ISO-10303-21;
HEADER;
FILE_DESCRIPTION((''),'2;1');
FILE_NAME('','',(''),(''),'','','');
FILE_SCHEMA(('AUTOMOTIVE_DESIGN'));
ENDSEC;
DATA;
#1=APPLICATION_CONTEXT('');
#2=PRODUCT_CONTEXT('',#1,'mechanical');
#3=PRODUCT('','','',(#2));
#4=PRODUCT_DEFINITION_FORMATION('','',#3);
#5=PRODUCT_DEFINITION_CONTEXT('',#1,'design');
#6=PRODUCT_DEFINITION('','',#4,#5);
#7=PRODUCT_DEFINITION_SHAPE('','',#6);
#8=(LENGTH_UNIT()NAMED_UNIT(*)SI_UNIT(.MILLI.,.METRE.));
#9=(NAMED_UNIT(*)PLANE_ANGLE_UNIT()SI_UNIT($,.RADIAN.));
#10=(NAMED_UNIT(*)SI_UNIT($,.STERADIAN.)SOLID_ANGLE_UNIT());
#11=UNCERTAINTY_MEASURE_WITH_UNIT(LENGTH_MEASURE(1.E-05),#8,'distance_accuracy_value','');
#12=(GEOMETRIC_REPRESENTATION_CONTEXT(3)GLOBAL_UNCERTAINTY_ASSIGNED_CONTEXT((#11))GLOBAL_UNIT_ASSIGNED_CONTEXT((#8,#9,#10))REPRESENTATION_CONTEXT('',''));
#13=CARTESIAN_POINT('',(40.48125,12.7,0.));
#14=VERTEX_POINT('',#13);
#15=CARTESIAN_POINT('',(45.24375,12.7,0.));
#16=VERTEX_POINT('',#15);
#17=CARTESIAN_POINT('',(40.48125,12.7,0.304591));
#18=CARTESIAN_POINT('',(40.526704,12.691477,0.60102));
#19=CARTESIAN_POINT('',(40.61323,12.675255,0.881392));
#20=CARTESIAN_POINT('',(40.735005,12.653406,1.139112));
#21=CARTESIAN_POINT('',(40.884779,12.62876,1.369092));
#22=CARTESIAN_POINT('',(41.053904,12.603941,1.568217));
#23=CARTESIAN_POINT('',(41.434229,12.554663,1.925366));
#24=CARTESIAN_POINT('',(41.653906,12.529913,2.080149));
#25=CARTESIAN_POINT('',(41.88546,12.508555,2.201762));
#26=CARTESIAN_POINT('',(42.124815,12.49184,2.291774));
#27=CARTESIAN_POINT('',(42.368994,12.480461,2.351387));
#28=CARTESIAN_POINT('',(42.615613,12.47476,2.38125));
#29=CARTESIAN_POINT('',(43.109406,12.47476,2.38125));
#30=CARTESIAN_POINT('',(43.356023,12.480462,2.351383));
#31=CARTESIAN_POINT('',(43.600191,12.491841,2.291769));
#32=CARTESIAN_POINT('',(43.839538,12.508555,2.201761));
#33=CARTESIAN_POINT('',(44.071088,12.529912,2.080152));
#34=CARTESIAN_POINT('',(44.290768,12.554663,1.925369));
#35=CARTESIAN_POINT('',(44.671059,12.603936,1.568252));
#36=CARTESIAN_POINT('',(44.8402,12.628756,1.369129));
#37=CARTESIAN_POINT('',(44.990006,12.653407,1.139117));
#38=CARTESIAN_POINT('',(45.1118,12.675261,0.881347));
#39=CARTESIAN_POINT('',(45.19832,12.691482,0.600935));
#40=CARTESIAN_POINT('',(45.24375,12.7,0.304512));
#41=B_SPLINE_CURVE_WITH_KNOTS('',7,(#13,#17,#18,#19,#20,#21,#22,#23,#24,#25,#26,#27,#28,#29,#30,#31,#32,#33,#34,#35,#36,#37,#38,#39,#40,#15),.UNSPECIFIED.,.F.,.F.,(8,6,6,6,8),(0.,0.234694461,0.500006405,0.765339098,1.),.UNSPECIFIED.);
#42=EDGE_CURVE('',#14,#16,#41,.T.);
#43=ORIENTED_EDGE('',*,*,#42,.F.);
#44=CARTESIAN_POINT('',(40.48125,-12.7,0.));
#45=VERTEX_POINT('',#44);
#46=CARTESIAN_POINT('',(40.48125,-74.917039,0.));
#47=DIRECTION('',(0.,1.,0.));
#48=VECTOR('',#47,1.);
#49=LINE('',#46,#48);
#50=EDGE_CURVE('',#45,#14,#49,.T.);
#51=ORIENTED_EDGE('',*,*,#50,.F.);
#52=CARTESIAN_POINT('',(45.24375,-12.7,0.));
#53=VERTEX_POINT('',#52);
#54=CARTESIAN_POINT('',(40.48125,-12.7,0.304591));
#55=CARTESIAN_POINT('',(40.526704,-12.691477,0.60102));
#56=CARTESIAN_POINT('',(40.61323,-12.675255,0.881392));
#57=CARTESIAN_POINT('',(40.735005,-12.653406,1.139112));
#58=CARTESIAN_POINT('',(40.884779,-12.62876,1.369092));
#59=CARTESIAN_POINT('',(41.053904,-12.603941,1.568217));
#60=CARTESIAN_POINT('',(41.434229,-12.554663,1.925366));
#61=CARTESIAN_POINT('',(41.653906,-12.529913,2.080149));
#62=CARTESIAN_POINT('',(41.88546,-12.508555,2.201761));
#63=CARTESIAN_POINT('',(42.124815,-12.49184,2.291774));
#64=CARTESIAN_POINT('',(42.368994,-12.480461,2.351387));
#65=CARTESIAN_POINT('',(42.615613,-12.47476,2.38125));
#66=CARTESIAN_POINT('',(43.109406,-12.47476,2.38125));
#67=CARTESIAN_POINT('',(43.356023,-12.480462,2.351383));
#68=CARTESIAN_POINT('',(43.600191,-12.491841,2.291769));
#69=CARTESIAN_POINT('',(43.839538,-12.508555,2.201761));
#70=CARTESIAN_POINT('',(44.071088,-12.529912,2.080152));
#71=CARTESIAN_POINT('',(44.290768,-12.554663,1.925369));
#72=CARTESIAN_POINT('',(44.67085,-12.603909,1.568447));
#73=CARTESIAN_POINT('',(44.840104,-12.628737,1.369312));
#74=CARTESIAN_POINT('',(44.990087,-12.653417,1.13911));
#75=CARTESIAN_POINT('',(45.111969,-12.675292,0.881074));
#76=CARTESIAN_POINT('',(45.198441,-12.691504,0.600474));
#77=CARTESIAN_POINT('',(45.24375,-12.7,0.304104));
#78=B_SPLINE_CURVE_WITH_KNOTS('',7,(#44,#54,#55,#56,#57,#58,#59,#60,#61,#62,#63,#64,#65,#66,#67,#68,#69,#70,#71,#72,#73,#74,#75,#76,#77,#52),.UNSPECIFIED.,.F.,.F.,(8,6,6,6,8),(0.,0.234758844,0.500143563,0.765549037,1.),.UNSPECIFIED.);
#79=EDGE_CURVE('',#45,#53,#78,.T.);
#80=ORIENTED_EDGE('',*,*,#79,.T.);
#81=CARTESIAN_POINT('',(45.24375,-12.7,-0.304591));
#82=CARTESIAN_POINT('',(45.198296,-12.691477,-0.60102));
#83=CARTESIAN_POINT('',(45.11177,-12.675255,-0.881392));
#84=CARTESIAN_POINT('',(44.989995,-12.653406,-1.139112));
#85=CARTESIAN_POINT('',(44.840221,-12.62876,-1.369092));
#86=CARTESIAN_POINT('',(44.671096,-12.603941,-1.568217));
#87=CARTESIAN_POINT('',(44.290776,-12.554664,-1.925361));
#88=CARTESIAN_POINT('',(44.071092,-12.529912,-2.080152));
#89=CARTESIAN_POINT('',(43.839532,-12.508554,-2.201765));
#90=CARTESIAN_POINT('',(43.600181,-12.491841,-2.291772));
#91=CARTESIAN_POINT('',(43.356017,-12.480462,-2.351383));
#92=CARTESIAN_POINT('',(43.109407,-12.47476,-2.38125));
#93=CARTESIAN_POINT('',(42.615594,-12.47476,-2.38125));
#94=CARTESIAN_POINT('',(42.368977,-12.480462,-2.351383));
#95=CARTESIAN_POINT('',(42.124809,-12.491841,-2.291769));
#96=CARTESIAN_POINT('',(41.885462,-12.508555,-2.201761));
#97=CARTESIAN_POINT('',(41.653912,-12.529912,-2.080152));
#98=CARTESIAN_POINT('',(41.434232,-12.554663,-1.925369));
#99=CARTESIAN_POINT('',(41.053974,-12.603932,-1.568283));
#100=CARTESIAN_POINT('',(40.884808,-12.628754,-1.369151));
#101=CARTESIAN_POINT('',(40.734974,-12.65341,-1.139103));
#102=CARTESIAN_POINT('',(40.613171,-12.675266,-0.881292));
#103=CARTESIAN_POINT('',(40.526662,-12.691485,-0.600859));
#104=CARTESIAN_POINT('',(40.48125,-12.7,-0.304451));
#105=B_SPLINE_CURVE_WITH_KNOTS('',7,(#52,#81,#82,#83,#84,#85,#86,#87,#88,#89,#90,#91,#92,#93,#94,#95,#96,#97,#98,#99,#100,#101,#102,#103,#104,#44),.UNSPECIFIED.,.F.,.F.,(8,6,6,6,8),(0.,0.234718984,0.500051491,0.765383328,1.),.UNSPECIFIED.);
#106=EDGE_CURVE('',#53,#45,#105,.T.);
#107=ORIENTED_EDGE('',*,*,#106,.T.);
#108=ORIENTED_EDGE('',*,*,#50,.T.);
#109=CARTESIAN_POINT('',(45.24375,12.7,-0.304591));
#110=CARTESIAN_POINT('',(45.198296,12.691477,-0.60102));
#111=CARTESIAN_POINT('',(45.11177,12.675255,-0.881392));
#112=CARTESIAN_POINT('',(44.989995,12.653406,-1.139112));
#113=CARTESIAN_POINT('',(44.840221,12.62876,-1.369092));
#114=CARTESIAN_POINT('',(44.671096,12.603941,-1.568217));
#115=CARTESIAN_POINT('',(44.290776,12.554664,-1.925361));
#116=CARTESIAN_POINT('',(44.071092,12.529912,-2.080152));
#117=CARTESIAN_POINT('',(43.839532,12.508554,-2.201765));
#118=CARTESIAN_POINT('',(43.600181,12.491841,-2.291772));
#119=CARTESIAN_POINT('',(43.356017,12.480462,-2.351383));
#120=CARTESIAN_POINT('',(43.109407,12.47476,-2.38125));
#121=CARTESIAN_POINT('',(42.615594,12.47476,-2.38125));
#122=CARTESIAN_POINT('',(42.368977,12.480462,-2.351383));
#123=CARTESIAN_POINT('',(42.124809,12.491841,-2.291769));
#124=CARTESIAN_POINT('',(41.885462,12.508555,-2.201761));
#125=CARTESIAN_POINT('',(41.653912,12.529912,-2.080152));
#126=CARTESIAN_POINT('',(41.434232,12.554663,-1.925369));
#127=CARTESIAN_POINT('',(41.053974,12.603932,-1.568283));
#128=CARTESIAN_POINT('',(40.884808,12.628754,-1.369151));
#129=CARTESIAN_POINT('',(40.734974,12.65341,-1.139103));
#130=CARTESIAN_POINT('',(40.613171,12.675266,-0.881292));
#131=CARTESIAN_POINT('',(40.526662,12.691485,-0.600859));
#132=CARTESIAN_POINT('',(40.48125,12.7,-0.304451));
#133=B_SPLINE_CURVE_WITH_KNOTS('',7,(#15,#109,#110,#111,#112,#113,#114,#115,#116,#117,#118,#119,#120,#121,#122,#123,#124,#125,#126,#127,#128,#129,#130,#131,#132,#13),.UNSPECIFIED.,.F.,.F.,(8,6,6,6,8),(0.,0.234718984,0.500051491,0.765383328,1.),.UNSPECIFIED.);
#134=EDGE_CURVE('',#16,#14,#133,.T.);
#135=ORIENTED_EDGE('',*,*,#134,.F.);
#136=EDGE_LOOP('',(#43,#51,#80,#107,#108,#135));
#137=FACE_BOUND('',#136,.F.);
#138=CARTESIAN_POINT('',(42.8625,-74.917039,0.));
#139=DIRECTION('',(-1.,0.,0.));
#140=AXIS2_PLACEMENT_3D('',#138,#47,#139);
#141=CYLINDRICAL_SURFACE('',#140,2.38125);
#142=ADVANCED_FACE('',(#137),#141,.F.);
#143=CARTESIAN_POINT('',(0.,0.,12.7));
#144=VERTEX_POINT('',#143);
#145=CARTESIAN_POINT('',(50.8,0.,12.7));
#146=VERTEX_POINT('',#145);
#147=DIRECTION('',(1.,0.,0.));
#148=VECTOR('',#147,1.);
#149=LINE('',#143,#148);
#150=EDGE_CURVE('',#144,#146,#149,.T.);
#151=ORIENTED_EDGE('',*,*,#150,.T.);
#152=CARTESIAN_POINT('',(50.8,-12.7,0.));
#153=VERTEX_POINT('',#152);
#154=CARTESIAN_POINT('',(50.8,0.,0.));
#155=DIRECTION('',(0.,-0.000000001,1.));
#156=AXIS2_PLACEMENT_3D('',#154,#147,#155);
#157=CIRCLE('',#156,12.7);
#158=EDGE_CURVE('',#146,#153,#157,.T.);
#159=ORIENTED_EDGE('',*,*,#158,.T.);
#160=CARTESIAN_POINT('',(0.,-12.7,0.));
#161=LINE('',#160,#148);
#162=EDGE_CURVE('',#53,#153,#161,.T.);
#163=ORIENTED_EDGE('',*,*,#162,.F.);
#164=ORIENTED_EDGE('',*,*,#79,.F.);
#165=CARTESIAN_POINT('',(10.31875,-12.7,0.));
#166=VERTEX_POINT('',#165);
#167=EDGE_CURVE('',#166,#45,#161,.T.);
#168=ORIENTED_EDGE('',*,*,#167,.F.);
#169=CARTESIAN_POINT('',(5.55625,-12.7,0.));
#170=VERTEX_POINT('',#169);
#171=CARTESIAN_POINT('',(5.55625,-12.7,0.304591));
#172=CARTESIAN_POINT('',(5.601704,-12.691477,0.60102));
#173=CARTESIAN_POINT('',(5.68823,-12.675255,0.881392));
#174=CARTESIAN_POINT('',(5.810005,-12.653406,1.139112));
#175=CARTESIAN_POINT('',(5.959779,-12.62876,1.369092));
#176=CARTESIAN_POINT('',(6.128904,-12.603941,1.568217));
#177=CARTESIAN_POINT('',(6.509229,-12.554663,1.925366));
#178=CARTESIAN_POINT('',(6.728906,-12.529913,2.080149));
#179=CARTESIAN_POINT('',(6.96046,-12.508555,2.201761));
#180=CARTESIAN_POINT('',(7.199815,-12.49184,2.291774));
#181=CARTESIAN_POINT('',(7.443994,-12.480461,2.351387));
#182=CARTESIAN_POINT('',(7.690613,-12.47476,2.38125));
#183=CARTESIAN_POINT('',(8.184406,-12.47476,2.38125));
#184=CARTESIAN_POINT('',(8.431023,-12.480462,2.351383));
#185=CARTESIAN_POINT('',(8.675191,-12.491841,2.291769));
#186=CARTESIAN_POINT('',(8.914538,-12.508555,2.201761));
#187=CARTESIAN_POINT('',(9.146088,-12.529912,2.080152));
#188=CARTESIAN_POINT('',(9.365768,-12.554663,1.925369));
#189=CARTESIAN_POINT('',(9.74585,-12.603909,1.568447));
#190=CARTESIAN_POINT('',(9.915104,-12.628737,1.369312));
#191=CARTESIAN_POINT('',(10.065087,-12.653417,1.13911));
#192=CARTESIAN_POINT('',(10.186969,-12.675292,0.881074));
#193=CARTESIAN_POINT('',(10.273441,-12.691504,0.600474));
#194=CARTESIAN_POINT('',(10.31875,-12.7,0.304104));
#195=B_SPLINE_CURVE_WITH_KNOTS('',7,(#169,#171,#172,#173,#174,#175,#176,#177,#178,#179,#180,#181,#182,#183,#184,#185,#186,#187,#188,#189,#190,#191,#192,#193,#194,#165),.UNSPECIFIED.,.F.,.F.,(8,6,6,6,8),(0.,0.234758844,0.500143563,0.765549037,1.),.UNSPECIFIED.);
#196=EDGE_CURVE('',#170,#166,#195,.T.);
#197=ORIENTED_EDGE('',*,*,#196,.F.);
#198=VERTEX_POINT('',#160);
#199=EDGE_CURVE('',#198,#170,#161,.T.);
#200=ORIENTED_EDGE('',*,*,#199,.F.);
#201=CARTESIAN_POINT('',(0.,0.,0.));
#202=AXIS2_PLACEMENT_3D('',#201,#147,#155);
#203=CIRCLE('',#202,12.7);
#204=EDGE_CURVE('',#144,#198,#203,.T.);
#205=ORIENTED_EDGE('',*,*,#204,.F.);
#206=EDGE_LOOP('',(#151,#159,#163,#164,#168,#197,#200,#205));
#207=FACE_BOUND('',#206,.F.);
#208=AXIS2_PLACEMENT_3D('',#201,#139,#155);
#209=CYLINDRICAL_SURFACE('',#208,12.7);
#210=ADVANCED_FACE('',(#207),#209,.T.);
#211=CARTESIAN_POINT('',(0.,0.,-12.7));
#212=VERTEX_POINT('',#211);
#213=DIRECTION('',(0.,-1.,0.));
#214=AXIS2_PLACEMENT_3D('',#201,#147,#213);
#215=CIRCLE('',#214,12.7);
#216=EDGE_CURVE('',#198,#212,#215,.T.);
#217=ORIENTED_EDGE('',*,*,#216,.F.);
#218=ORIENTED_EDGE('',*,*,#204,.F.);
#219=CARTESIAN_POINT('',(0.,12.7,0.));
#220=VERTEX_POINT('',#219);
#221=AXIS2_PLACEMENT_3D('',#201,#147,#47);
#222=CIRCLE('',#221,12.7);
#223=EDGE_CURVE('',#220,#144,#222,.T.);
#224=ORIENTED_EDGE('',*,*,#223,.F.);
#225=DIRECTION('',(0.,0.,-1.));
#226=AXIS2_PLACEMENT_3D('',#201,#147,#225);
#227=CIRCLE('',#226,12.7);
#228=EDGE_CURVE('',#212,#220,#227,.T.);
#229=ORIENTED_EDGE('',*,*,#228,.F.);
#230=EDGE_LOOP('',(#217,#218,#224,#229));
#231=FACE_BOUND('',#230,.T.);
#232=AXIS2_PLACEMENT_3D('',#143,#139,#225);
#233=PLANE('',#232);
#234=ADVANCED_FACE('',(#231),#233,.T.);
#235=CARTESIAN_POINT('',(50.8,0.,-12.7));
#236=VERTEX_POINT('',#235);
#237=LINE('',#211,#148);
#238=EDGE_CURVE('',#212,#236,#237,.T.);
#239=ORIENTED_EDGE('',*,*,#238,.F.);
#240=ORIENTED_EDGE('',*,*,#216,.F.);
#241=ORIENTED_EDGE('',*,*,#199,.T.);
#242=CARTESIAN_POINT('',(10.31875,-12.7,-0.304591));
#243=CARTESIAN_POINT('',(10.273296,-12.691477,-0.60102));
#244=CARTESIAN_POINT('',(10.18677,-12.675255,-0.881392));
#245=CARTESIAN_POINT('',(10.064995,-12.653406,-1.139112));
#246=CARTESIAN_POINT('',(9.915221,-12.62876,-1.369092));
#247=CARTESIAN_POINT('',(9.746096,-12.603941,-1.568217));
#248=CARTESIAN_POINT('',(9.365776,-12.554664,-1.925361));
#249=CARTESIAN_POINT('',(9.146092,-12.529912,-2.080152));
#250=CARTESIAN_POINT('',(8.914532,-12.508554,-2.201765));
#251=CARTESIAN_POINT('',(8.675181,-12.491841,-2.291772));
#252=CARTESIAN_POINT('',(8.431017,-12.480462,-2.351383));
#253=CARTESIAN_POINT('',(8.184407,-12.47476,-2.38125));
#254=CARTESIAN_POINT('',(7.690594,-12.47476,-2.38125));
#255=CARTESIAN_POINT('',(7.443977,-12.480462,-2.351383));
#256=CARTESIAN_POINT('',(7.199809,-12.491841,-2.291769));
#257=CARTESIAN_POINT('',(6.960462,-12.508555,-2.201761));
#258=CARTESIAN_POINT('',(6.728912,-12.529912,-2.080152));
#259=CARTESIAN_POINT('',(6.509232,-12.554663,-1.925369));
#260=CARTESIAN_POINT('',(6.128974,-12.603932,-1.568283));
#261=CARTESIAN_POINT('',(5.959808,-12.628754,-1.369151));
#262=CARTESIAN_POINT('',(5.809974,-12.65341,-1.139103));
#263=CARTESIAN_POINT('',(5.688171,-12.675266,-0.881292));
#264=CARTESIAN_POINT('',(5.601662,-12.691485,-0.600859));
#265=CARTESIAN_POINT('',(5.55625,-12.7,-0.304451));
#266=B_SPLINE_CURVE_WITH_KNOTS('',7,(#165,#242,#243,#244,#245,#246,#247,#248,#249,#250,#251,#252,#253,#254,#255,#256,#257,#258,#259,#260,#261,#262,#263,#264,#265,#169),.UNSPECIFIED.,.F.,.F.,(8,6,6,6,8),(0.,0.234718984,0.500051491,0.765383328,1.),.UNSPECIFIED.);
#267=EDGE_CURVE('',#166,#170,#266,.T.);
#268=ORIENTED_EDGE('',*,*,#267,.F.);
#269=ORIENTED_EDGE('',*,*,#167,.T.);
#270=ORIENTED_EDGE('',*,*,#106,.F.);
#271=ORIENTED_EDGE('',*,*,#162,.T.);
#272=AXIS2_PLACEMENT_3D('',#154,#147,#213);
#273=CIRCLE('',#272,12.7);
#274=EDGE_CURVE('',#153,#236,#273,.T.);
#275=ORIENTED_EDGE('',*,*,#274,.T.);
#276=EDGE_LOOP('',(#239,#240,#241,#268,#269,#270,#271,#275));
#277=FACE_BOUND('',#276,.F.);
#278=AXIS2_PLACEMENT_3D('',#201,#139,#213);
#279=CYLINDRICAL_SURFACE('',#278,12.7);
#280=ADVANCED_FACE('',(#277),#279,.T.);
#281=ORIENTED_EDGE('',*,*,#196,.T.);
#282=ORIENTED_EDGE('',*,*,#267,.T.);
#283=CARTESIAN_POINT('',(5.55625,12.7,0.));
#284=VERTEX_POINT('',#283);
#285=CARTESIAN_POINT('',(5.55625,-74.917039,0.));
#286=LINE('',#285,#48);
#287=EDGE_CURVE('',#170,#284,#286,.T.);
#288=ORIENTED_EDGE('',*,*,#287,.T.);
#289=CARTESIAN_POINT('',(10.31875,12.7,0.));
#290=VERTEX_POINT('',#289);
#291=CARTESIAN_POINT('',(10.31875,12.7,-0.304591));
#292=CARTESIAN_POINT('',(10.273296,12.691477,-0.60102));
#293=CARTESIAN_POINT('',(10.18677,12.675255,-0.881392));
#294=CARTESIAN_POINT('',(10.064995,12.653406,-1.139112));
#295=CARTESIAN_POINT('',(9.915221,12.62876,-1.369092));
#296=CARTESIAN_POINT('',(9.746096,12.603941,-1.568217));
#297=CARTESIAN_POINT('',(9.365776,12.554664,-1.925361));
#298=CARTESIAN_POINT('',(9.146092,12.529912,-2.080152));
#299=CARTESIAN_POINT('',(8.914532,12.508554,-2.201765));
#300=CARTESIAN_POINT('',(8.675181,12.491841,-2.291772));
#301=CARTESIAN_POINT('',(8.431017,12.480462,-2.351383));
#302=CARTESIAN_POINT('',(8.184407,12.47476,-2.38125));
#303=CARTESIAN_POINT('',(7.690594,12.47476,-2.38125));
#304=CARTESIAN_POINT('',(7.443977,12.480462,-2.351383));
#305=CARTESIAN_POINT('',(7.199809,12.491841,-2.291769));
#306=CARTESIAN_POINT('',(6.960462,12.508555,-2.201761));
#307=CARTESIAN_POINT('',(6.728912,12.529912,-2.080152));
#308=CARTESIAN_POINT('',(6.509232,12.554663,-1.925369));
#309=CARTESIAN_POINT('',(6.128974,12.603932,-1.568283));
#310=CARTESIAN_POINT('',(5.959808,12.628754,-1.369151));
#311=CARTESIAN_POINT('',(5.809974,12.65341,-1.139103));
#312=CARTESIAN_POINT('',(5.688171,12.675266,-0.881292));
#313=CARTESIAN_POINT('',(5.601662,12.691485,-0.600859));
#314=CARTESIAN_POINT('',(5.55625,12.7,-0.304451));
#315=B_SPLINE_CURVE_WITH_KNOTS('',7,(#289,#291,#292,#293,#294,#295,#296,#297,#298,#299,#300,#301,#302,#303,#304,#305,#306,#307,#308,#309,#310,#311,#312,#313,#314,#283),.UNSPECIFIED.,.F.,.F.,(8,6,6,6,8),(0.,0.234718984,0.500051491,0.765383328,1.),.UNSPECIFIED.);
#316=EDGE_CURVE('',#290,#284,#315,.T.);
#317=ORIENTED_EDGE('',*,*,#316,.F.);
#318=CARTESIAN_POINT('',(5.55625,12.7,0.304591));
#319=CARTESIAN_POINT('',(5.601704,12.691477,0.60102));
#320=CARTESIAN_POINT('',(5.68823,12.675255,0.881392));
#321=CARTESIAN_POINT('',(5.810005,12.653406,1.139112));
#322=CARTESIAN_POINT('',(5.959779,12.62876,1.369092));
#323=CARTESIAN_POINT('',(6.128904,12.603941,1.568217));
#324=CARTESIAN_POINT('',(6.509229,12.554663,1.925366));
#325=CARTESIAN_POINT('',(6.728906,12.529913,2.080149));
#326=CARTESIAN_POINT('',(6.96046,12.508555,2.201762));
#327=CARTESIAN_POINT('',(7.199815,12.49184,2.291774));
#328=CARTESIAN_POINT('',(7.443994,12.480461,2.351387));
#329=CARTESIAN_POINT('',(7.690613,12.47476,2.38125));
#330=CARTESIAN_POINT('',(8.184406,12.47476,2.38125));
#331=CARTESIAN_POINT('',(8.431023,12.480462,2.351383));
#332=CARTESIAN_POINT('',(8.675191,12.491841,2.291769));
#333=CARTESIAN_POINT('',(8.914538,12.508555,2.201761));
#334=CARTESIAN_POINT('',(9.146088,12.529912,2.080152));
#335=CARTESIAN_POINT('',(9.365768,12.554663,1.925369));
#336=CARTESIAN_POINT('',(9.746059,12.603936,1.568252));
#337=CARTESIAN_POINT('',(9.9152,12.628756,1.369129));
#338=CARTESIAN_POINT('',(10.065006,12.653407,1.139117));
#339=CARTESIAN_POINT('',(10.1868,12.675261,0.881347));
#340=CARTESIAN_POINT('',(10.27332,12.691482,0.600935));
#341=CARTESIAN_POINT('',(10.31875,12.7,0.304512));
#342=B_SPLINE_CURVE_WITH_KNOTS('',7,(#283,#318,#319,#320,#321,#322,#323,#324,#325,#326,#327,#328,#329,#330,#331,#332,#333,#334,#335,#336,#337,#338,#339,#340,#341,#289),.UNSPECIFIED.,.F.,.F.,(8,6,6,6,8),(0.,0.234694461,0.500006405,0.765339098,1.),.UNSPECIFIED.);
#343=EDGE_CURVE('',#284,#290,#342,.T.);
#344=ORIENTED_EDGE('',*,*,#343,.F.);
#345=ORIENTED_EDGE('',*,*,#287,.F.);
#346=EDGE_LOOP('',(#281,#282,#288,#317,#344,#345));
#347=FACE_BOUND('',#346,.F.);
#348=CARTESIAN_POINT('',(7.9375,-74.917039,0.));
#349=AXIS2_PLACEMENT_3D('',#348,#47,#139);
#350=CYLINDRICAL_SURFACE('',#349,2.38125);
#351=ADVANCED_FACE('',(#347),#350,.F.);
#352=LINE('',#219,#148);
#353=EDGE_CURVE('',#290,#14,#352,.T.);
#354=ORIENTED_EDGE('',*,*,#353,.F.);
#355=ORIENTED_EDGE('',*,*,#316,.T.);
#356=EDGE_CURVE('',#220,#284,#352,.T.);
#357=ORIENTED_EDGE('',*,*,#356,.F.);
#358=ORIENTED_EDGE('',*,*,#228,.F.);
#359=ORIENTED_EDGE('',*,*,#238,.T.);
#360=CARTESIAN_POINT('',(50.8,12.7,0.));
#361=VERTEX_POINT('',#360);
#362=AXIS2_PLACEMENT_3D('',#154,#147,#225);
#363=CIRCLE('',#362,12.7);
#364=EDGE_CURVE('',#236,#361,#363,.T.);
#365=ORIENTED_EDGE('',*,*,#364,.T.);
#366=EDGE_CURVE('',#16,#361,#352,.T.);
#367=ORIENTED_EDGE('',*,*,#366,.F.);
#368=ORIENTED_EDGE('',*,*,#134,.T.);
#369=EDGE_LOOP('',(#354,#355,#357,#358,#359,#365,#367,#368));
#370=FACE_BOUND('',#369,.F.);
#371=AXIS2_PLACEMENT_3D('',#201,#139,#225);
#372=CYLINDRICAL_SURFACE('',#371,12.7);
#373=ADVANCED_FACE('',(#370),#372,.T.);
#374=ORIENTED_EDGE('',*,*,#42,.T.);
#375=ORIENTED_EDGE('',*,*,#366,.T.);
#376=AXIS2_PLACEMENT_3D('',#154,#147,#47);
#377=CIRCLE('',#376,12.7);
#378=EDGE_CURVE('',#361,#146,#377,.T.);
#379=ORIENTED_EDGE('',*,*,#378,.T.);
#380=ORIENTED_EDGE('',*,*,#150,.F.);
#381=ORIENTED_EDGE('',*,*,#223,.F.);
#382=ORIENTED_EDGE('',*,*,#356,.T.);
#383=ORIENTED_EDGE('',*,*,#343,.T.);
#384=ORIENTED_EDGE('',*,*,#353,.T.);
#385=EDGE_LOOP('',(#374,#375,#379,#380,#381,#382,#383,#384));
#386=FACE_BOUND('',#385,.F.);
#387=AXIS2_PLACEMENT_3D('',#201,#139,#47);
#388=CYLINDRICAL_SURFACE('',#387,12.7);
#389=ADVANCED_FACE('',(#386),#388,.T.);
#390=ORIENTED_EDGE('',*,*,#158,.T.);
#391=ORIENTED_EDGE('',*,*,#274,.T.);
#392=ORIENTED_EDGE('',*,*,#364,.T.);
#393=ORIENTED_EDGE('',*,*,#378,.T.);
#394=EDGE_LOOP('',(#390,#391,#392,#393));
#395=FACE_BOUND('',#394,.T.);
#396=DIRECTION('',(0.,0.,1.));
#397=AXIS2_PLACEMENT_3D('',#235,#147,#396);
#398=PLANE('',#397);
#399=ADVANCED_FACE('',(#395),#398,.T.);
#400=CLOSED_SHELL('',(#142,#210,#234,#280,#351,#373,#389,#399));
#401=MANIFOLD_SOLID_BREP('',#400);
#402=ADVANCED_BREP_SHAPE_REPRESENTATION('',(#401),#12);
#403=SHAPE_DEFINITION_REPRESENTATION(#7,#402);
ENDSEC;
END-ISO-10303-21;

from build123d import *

# Parameters (mm, degrees)
F0_W     = 7.9375
F0_H     = 12.7
F0_W_2   = 34.925
F1_DEPTH = 12.7
F3_D     = 4.7625
F5_DEPTH = 50.8


with BuildPart() as f1:
    # F0 (on Front) → F1 (new body, symmetric)
    with BuildSketch(Plane.XZ):
        with Locations((3.96875, -6.35)):
            Rectangle(F0_W, F0_H)
        with Locations((25.4, -6.35)):
            Rectangle(F0_W_2, F0_H)
        with Locations((46.83125, -6.35)):
            Rectangle(F0_W, F0_H)
        with Locations((3.96875, 6.35)):
            Rectangle(F0_W, F0_H)
        with Locations((25.4, 6.35)):
            Rectangle(F0_W_2, F0_H)
        with Locations((46.83125, 6.35)):
            Rectangle(F0_W, F0_H)
    extrude(amount=F1_DEPTH, both=True)

    # F3 (through all)
    with Locations(Plane.XZ.offset(12.7)):
        with Locations((7.9375, 0), (42.8625, 0)):
            Hole(F3_D / 2)

    # F4 (on face) → F5 (cut)
    with BuildSketch(Plane(origin=(0, 0, 0), x_dir=(0, -1, 0), z_dir=(-1, 0, 0))):
        with BuildLine():
            Line((12.7, -12.7), (12.7, 0))
            ThreePointArc((12.7, 0), (8.9802561211, -8.9802561211), (0, -12.7))
            Line((0, -12.7), (12.7, -12.7))
        make_face()
        with BuildLine():
            Line((-12.7, -12.7), (0, -12.7))
            ThreePointArc((0, -12.7), (-8.9802561211, -8.9802561211), (-12.7, 0))
            Line((-12.7, 0), (-12.7, -12.7))
        make_face()
        with BuildLine():
            ThreePointArc((-12.7, 0), (-8.9802561145, 8.9802561276), (1.86e-08, 12.7))
            Line((1.86e-08, 12.7), (-12.7, 12.7))
            Line((-12.7, 12.7), (-12.7, 0))
        make_face()
        with BuildLine():
            ThreePointArc((1.86e-08, 12.7), (8.9802561276, 8.9802561145), (12.7, 0))
            Line((12.7, 0), (12.7, 12.7))
            Line((12.7, 12.7), (1.86e-08, 12.7))
        make_face()
    extrude(amount=-F5_DEPTH, mode=Mode.SUBTRACT)


solid = f1.part
